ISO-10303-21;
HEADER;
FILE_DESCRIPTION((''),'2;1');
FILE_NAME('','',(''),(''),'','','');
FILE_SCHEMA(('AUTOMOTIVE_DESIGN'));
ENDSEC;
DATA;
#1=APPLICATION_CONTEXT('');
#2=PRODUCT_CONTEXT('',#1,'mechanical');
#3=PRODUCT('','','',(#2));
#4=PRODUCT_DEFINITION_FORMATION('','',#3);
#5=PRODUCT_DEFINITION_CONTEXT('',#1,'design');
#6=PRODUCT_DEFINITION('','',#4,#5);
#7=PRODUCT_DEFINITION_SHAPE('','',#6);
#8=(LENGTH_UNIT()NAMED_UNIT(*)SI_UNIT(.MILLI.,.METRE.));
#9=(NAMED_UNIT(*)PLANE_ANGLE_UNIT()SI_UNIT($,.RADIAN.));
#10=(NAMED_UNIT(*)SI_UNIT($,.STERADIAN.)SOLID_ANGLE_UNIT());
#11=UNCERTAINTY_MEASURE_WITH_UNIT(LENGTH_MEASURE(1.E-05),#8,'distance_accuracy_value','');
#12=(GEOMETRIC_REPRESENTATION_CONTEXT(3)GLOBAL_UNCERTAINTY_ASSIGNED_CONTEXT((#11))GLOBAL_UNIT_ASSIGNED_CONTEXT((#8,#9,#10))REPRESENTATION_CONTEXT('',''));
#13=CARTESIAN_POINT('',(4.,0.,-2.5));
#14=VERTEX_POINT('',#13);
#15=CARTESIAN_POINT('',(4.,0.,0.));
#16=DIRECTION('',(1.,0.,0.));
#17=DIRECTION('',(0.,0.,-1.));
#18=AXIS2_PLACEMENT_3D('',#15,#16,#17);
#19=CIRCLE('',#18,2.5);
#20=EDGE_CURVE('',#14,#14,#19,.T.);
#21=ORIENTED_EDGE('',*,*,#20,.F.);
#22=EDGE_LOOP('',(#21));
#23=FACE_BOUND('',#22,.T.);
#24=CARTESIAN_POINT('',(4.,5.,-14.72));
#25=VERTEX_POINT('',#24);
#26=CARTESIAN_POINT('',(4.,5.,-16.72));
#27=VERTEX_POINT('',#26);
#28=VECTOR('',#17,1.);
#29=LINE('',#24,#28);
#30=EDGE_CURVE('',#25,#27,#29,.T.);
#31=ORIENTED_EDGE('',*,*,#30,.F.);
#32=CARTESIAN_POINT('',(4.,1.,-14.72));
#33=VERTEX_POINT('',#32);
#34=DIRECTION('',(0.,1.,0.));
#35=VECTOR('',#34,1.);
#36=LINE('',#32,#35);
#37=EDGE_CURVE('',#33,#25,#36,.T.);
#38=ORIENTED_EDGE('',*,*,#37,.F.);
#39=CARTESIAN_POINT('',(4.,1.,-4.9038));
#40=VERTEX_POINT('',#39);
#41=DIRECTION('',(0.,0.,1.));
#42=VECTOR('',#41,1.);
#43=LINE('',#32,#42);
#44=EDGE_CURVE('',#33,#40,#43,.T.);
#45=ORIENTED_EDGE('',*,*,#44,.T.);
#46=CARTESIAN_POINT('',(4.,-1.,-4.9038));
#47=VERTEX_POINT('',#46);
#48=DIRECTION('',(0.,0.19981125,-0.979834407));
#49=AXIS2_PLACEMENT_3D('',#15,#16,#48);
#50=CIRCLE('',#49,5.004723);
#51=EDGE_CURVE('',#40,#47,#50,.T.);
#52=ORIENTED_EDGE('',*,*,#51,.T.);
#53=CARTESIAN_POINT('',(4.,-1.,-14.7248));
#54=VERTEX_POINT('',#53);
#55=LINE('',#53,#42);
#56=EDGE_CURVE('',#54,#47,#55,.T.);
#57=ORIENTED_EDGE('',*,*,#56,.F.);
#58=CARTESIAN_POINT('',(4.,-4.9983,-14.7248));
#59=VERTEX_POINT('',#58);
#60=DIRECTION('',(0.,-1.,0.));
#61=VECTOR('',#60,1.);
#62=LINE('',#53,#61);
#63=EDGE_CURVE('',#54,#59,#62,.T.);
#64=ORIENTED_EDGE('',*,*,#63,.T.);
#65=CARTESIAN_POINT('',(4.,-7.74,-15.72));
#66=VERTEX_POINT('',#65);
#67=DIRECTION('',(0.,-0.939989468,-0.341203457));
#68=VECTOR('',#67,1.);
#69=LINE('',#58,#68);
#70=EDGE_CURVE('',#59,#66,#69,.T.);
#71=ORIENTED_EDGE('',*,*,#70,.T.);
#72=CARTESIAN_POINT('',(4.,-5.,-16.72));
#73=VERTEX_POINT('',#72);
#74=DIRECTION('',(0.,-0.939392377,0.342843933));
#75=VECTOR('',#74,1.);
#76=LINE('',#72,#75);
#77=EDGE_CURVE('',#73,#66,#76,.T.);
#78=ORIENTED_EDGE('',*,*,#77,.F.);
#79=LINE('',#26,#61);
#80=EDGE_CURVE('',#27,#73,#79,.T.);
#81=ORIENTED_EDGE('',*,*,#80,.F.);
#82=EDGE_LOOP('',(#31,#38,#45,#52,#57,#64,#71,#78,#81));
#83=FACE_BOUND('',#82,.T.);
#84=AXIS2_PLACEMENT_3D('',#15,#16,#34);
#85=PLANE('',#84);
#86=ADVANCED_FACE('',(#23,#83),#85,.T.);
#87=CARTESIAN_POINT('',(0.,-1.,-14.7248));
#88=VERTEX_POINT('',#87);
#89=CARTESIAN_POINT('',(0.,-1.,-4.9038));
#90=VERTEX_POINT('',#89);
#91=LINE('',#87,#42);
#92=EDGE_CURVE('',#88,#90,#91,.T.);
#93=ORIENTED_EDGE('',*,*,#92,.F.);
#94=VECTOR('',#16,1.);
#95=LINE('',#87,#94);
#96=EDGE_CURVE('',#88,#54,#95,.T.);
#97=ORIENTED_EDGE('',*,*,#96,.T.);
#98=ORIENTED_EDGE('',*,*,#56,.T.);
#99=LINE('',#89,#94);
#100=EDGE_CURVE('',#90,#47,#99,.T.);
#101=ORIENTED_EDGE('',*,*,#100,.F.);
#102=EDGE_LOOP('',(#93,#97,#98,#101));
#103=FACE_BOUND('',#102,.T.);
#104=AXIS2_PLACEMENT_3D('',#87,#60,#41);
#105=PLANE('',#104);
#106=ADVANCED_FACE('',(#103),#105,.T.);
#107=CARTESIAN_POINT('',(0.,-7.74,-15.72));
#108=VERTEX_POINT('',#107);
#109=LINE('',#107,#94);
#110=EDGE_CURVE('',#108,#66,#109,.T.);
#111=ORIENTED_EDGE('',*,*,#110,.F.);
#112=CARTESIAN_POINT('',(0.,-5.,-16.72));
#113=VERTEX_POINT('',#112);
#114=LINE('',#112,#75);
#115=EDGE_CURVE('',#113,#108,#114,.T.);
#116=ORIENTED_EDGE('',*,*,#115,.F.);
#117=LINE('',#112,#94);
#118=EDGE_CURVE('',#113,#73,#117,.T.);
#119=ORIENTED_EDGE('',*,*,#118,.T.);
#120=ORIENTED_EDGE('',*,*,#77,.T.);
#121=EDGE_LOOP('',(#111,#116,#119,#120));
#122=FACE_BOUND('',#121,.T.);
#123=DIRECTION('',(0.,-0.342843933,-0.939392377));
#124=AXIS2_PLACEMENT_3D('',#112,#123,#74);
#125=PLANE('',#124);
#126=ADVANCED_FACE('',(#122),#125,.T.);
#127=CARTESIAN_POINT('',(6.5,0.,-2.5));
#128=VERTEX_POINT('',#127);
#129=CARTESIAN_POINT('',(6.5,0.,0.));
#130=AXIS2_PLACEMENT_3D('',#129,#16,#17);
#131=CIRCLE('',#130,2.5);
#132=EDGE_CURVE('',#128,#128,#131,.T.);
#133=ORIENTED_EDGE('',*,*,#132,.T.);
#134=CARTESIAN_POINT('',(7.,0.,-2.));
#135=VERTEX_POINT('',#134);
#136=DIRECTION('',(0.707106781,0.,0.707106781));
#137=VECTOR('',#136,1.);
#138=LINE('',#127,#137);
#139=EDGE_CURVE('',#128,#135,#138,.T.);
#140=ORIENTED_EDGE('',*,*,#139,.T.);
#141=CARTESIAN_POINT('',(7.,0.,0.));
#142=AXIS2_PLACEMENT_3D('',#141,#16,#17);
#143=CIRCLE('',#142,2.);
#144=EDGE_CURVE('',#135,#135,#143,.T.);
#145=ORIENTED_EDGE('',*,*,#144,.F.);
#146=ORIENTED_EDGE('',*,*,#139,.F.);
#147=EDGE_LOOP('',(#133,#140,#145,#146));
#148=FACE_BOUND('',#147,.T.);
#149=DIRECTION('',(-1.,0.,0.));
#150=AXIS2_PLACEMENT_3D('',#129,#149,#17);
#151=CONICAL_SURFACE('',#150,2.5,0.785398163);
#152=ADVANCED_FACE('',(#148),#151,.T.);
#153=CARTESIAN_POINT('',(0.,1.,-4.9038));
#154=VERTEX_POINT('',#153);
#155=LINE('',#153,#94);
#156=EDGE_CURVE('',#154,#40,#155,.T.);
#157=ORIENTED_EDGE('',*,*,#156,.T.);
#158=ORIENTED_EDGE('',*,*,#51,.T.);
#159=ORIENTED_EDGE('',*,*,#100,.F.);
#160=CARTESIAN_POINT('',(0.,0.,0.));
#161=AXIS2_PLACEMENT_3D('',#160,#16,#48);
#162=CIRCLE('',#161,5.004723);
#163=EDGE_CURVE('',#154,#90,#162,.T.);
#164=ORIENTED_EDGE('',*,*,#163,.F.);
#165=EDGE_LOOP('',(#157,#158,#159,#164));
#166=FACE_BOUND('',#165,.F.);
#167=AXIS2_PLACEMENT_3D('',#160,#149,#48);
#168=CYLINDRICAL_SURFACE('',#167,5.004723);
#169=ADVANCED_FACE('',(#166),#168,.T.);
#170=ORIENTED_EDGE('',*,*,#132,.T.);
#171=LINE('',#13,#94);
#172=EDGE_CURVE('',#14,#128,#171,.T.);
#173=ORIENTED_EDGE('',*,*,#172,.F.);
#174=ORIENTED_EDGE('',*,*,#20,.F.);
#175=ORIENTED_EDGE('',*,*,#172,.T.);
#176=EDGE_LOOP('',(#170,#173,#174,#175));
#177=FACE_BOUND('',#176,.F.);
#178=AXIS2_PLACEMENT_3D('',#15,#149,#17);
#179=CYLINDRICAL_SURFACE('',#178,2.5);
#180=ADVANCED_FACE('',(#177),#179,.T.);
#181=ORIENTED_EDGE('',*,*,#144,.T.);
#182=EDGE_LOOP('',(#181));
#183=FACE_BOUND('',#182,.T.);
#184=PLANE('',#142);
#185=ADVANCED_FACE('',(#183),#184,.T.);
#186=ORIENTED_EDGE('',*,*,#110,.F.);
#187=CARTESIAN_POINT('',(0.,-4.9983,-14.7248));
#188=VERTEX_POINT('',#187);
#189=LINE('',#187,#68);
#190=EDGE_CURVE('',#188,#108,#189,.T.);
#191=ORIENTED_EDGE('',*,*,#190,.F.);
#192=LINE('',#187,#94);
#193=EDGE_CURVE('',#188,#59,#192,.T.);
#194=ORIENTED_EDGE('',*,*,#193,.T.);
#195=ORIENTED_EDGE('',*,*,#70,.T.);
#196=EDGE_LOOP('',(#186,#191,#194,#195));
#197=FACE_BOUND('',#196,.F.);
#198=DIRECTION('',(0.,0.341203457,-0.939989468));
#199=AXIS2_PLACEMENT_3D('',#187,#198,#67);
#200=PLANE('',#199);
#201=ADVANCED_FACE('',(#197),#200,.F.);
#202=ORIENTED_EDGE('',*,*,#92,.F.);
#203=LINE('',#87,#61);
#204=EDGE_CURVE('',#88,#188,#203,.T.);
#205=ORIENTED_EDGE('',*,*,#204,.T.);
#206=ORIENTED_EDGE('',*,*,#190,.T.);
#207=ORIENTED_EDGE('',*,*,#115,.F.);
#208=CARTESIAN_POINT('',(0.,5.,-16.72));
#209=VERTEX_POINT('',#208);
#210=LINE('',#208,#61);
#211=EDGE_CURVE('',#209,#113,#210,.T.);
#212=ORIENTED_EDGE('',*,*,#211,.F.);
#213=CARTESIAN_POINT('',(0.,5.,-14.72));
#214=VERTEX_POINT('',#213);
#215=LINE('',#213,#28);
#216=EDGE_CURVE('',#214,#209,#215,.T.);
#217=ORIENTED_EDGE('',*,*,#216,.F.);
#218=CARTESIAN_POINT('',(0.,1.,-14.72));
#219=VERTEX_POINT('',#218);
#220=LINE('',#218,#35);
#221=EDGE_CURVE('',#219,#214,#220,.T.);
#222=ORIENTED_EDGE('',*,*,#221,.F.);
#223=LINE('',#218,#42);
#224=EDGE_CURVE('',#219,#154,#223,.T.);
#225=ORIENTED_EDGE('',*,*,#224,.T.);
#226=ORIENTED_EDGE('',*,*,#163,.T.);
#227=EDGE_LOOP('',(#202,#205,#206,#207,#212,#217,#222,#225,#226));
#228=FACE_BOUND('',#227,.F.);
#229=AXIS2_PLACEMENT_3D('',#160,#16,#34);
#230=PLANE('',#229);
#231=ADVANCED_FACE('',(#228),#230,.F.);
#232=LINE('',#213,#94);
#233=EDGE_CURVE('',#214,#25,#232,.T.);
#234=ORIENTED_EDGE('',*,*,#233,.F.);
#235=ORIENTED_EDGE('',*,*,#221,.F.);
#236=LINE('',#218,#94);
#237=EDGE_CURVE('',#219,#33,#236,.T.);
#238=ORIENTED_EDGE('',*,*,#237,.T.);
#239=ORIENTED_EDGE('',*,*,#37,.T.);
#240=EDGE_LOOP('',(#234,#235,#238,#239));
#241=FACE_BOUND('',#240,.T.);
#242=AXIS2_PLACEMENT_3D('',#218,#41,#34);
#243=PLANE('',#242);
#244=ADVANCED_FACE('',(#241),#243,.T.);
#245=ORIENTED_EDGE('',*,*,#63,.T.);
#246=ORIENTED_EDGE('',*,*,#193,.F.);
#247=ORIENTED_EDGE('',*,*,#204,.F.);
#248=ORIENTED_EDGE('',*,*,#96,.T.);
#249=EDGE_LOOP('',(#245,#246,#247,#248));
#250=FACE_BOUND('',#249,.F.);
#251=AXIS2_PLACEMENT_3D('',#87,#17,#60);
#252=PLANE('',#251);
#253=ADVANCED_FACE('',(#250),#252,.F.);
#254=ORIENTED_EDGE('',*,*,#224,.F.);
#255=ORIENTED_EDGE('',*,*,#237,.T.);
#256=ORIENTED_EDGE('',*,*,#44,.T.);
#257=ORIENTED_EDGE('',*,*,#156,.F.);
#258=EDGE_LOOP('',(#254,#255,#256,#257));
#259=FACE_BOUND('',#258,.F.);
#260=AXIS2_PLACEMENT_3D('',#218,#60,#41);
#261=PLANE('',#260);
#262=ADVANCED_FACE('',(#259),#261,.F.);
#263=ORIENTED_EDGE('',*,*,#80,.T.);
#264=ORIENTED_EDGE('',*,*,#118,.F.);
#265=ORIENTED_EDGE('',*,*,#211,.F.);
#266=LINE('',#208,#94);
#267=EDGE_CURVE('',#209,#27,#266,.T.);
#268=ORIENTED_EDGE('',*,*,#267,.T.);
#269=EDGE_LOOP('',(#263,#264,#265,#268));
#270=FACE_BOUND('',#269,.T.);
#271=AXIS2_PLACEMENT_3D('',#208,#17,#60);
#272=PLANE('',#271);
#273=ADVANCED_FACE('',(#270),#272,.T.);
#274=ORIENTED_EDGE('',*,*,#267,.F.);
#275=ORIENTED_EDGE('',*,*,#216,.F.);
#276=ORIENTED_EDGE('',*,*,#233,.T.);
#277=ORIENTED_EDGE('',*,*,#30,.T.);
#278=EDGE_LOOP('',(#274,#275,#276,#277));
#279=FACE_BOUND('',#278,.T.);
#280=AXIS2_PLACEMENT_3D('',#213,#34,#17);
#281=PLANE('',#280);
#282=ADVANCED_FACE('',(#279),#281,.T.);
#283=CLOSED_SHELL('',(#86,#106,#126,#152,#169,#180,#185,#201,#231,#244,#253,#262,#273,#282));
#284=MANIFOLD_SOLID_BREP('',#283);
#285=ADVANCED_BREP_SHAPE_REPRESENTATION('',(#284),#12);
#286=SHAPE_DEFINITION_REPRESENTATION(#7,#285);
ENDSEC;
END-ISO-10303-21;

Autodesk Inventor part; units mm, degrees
ref_plane "YZ Plane" through (0, 0, 0) normal (1, 0, 0) x (0, 1, 0)
ref_plane "XZ Plane" through (0, 0, 0) normal (0, 1, 0) x (-1, 0, 0)
ref_plane "XY Plane" through (0, 0, 0) normal (0, 0, 1) x (1, 0, 0)
sketch "Esboço1" plane through (0, 0, 0) normal (1, 0, 0) x (0, 1, 0)
  arc A0 (1, -4.9038) -> (-1, -4.9038) centre (0, 0) ccw
  line L0 (-1, -14.7248) -> (-1, -4.9038)
  line L1 (1, -14.72) -> (1, -4.9038)
  line L2 (1, -14.72) -> (5, -14.72)
  line L3 (5, -14.72) -> (5, -16.72)
  line L4 (5, -16.72) -> (-5, -16.72)
  line L5 (-1, -14.7248) -> (-4.9983, -14.7248)
  line L6 (-5, -16.72) -> (-7.74, -15.72)
  line L7 (-4.9983, -14.7248) -> (-7.74, -15.72)
extrude "Extrusão1" add sketch "Esboço1" along normal blind 4
sketch "Esboço2" plane through (4, 0, 0) normal (1, 0, 0) x (0, 0, -1)
  circle A0 centre (0, 0) radius 2.5
  dimension "d20" = 5
extrude "Extrusão2" add sketch "Esboço2" along normal blind 3
chamfer "Chanfro1" distance 0.5 angle 45 1 edges at (7, 0, 2.5) measured on face at (7, -0.6619, -1.2612)
